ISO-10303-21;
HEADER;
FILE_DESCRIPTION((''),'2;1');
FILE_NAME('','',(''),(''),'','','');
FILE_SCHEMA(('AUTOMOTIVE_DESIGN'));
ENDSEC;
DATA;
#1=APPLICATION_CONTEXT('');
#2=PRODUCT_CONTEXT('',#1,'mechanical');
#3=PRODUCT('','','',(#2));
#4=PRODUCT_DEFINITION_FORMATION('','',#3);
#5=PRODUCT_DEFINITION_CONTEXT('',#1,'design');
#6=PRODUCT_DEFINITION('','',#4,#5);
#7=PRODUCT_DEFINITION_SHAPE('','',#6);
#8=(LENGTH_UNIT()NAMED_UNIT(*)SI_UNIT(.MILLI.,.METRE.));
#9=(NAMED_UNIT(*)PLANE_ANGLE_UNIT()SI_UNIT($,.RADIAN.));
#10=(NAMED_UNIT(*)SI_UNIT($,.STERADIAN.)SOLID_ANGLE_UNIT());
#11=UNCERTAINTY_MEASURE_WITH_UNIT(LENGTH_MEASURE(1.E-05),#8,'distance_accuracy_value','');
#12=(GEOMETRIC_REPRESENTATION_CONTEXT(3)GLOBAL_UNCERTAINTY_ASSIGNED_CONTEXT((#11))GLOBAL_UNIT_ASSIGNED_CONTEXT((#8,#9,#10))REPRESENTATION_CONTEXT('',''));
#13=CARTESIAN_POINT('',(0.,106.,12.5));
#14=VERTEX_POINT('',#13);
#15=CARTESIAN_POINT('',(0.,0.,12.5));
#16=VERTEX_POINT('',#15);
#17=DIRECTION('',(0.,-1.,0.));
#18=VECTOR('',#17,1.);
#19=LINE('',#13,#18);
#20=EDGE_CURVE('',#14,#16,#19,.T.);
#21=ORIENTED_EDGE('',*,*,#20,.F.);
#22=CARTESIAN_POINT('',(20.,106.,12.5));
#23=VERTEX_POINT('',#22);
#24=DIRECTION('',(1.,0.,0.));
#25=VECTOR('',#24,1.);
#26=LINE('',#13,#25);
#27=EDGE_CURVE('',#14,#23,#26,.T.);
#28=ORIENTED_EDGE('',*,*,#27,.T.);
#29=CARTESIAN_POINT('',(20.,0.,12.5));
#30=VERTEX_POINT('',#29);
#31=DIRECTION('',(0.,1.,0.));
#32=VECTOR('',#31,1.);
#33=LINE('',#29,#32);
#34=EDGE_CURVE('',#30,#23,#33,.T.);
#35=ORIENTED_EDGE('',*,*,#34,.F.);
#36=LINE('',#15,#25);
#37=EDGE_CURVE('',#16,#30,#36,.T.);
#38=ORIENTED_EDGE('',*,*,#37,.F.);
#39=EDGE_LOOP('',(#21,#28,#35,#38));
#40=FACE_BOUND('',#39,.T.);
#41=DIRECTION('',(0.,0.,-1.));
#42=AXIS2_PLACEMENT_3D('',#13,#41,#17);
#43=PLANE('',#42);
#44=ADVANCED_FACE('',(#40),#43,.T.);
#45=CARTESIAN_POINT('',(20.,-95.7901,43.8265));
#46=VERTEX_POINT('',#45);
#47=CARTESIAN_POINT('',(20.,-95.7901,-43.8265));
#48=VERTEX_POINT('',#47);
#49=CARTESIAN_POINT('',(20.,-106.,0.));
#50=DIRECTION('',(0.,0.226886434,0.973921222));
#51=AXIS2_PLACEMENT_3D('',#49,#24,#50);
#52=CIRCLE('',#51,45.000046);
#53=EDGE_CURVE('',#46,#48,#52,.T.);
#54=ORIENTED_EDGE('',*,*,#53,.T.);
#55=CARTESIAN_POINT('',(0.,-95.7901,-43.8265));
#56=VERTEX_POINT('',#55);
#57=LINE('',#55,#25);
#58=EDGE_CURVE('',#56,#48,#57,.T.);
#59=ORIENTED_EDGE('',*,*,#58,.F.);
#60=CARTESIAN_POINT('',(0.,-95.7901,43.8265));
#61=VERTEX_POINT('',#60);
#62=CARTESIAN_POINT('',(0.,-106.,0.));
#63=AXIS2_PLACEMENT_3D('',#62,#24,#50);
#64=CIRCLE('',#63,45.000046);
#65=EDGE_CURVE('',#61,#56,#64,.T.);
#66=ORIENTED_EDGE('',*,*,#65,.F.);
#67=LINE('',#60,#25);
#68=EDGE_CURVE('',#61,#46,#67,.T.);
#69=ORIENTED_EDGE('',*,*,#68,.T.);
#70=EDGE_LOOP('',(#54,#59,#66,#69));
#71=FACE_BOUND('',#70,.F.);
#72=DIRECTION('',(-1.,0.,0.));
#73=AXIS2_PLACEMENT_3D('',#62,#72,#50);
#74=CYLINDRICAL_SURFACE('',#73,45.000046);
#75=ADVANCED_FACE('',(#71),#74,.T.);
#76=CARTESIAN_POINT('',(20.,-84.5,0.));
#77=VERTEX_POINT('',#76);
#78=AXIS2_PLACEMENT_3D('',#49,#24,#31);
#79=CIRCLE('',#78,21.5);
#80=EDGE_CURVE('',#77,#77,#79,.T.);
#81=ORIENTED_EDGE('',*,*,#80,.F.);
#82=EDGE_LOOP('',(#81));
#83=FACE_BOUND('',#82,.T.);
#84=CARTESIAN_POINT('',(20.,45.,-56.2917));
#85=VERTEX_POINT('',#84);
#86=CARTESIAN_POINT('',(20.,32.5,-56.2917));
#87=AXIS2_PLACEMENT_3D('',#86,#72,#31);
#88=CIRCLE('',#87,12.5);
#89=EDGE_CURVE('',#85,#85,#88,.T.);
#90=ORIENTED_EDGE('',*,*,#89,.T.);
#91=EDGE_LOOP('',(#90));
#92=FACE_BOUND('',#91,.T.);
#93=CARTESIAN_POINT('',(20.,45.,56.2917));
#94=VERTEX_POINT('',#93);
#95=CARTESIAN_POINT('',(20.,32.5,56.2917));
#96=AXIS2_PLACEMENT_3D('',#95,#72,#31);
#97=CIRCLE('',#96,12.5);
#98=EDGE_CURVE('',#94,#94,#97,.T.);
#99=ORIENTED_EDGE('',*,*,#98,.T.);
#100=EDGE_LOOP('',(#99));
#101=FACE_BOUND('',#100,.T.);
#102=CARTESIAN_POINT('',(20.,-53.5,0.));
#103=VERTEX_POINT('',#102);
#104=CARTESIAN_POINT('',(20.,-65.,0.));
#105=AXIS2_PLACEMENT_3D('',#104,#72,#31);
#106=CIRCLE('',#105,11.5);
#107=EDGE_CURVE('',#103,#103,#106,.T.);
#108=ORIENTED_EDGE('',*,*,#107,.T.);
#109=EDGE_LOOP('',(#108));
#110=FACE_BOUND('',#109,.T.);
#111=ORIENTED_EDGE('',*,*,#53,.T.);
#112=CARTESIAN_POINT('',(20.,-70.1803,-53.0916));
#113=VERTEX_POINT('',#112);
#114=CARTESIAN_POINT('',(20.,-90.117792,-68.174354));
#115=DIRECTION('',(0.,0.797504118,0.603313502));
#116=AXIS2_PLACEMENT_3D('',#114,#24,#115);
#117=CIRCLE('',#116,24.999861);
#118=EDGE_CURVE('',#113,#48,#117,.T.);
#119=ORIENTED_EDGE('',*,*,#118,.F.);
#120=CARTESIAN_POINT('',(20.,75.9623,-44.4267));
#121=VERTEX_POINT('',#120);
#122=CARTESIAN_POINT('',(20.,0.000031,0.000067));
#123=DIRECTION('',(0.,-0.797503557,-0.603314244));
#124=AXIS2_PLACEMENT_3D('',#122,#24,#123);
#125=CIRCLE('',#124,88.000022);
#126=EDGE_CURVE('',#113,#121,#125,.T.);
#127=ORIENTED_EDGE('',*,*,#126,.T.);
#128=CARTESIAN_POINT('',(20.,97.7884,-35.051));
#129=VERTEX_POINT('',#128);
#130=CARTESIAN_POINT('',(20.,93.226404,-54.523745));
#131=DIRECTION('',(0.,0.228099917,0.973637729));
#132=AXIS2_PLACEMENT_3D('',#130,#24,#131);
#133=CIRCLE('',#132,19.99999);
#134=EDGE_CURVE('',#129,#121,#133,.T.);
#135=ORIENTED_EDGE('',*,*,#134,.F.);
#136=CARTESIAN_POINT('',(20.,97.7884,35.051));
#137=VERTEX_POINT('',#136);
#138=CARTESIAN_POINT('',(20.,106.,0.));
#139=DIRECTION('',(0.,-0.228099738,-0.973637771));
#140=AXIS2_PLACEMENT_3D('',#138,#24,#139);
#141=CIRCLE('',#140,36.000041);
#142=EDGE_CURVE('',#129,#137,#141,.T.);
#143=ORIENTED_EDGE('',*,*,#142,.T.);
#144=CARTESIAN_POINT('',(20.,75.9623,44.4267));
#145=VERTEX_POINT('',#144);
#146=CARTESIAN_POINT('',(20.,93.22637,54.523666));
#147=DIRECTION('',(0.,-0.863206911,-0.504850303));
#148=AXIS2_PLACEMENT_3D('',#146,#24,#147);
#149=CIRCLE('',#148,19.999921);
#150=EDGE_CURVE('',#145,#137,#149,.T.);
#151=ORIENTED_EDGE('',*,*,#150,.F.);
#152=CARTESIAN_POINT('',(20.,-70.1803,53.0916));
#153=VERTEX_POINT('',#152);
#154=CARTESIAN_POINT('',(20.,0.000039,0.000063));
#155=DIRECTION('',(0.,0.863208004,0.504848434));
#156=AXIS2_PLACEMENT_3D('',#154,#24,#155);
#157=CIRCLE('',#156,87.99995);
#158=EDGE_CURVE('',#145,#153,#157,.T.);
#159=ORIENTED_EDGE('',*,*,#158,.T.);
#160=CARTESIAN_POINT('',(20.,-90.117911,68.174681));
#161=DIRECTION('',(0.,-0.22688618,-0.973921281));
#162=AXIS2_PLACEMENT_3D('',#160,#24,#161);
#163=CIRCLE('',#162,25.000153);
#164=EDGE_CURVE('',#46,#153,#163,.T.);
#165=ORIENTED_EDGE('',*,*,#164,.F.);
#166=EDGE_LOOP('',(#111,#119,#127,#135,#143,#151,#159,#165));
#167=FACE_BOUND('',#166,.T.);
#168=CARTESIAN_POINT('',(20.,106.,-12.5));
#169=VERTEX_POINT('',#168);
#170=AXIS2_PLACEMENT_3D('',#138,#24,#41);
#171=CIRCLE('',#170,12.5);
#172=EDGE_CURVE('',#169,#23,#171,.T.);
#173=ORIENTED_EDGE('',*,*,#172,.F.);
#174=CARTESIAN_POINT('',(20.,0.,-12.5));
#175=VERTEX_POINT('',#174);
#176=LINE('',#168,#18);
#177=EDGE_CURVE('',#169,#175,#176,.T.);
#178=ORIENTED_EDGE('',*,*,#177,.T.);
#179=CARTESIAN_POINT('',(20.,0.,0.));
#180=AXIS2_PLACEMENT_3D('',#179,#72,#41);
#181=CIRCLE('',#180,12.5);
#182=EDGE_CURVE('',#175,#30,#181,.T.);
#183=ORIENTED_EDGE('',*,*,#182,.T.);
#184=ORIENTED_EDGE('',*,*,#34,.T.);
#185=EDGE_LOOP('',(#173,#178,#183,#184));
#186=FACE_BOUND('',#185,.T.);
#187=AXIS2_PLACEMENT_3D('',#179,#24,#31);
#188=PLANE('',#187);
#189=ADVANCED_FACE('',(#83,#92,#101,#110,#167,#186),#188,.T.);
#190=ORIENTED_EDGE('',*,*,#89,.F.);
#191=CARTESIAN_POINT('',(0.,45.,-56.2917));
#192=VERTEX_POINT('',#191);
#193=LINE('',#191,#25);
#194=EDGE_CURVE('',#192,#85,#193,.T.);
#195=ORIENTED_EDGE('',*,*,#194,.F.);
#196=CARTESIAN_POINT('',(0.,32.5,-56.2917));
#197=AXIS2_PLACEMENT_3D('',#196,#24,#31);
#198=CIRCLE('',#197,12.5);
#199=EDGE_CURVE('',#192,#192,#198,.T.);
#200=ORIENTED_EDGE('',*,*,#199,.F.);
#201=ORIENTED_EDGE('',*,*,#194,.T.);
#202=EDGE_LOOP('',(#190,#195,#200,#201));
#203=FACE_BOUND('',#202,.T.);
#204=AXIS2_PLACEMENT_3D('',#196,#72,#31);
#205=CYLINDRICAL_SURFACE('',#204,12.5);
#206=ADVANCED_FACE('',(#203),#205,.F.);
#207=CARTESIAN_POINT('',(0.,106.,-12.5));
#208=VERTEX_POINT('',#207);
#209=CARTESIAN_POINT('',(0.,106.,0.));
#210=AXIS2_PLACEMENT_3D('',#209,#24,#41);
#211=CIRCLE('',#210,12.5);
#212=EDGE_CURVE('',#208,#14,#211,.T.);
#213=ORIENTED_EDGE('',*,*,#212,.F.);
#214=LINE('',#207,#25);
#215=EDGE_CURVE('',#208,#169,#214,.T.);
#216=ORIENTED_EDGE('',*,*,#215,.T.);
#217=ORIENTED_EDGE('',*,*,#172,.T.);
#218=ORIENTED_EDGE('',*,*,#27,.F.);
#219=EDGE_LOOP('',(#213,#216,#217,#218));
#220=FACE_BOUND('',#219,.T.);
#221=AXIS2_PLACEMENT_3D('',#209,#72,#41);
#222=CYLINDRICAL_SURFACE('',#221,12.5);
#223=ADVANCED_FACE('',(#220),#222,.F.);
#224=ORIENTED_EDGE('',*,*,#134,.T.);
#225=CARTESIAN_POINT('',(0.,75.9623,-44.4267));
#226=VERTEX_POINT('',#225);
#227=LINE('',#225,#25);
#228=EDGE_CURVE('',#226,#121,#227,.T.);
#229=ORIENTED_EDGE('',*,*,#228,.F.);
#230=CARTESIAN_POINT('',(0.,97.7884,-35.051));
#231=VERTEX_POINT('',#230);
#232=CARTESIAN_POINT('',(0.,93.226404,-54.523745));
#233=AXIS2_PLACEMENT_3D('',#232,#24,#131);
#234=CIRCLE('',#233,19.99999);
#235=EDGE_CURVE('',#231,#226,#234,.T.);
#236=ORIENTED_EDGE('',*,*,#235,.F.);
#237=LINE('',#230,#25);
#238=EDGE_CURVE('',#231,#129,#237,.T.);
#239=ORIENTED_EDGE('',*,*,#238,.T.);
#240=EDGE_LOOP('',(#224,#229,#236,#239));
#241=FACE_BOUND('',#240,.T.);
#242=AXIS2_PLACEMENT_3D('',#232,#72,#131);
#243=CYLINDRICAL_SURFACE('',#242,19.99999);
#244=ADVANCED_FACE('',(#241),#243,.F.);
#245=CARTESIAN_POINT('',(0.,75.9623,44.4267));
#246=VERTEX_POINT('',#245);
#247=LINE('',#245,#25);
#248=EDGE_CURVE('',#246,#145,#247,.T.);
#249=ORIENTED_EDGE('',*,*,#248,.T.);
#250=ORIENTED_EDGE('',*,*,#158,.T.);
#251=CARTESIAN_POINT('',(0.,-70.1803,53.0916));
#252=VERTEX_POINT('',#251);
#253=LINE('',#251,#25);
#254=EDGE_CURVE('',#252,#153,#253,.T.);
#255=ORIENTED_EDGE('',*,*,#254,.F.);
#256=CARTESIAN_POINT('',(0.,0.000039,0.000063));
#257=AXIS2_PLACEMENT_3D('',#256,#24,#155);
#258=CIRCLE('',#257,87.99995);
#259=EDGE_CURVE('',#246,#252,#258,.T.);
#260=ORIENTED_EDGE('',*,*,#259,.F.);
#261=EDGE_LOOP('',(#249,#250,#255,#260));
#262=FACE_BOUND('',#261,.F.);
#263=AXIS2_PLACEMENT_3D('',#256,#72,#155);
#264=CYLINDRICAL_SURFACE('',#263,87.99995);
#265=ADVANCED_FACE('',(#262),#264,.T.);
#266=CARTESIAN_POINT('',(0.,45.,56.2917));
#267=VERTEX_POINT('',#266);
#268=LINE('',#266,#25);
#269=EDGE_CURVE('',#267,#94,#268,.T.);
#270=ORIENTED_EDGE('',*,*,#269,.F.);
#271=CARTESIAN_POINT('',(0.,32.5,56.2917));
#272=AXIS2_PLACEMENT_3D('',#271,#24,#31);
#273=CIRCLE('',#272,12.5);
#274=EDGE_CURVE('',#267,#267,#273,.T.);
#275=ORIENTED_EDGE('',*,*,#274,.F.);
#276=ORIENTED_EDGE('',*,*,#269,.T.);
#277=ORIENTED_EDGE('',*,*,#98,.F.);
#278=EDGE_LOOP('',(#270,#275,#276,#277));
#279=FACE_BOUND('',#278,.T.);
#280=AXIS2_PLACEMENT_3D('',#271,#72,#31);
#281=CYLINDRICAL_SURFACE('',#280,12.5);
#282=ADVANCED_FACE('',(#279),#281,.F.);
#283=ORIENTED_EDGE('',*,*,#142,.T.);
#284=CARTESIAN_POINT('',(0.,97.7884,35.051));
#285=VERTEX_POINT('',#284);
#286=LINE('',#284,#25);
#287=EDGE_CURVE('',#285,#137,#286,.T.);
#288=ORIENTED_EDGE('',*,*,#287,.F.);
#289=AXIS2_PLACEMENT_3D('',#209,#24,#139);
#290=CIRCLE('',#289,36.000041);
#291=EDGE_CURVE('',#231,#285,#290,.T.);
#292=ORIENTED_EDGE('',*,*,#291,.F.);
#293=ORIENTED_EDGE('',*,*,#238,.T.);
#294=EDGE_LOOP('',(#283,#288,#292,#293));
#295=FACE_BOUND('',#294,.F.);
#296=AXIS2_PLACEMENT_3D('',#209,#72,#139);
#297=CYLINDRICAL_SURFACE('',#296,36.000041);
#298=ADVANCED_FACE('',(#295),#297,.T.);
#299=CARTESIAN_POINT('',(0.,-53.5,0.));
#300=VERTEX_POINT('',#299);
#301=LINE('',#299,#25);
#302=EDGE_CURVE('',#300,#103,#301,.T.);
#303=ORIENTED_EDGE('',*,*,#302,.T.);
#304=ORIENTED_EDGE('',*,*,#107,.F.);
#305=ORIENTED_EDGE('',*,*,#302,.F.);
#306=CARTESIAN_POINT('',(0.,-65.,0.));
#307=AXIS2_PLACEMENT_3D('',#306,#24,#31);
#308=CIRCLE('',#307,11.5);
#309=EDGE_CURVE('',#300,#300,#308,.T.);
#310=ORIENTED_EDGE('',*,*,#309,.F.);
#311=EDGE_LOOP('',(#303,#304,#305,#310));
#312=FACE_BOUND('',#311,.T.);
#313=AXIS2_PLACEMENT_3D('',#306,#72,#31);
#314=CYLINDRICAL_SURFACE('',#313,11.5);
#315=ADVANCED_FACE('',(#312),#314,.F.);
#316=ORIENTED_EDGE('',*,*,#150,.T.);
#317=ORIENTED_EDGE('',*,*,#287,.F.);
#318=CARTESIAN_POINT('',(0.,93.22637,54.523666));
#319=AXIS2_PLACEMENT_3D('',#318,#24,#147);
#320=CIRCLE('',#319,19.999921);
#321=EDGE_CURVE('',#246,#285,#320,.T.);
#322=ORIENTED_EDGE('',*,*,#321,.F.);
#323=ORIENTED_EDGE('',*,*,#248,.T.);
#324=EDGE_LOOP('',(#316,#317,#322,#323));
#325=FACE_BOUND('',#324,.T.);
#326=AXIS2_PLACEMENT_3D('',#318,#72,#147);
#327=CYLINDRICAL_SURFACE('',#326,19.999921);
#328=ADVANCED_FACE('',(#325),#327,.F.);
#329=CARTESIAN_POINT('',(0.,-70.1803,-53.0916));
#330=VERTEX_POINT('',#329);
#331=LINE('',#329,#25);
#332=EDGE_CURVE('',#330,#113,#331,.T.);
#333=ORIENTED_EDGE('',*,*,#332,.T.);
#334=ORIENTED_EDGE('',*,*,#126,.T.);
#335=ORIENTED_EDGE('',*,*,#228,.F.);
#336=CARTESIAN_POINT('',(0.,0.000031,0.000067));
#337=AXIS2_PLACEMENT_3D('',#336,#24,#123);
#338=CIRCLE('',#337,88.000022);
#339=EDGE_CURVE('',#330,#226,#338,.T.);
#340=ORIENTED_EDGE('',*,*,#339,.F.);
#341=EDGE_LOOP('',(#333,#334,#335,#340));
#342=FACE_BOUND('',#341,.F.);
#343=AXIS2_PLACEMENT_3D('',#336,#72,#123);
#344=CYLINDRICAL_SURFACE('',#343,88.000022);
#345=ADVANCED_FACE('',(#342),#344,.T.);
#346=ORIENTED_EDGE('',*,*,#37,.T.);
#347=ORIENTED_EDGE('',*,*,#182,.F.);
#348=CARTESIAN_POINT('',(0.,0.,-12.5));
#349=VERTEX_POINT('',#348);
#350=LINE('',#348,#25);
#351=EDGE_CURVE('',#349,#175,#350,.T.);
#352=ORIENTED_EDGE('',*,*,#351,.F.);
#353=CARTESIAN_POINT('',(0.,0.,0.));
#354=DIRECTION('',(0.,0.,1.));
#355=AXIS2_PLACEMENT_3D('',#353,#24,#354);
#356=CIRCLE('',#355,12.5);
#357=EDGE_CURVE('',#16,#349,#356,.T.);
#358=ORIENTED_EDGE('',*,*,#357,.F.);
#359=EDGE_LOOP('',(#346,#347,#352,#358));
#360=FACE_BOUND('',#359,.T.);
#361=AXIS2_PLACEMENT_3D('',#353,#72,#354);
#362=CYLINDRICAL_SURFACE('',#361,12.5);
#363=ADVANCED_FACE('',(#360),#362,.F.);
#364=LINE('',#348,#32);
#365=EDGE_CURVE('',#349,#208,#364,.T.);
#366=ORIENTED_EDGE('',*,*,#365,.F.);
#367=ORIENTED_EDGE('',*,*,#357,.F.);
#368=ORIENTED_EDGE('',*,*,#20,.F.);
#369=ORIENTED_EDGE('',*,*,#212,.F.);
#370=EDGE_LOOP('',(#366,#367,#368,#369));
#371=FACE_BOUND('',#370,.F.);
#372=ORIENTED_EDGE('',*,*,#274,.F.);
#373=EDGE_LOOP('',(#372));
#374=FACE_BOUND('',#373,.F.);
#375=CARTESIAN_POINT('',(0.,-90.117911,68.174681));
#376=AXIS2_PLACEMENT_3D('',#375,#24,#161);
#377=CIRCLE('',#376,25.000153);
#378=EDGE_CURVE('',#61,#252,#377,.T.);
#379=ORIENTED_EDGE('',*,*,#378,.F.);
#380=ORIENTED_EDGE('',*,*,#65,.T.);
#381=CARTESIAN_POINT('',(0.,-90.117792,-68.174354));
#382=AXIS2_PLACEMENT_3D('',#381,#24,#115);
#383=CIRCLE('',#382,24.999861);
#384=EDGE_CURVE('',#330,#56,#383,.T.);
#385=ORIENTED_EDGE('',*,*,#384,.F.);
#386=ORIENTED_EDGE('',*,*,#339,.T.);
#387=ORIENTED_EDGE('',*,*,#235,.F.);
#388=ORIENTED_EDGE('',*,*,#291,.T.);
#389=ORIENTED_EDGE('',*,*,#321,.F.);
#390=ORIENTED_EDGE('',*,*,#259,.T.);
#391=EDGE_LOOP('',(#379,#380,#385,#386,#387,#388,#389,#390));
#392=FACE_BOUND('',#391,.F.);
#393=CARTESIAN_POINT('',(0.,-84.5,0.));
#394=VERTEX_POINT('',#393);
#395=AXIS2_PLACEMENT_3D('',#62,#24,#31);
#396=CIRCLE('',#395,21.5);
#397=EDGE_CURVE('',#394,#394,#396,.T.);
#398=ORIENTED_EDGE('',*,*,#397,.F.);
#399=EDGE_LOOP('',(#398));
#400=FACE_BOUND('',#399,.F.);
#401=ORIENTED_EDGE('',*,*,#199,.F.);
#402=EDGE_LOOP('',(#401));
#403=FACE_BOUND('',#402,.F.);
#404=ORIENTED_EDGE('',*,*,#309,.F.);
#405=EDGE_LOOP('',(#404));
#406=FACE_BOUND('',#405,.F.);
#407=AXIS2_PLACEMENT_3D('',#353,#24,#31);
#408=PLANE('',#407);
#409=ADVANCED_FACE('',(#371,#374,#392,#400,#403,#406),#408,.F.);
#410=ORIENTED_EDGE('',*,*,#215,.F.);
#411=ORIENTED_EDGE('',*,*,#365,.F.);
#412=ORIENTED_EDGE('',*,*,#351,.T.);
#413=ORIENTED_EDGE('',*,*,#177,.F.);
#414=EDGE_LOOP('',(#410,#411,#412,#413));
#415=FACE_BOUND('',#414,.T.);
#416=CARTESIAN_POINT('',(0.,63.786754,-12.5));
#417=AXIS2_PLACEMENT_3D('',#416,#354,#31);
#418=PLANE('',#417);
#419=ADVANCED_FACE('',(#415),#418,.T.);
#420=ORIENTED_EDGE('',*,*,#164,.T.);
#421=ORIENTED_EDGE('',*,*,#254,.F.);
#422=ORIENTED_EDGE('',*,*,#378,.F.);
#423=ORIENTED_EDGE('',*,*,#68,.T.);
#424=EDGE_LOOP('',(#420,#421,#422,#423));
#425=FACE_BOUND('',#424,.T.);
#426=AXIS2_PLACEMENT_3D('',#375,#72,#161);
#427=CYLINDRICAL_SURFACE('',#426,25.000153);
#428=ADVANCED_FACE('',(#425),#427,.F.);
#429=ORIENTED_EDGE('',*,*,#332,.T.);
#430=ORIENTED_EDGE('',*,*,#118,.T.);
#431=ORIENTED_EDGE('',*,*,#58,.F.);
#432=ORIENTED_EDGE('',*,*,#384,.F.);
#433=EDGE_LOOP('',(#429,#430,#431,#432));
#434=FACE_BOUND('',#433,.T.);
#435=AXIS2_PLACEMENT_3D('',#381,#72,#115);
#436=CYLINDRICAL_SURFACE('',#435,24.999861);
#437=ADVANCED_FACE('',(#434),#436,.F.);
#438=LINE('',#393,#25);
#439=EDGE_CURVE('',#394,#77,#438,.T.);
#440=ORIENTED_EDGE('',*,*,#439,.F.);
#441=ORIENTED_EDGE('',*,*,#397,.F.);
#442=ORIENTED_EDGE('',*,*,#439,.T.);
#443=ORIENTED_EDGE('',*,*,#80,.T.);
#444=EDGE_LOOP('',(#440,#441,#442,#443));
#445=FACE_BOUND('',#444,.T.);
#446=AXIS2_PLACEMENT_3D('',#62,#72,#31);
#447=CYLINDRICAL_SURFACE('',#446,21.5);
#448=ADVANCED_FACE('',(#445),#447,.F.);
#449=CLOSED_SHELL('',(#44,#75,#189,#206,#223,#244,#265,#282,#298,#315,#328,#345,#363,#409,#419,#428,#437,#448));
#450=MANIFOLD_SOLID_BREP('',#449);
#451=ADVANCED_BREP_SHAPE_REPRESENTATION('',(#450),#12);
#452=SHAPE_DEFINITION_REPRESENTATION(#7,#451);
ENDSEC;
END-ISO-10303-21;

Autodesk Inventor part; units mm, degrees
ref_plane "YZ Plane" through (0, 0, 0) normal (1, 0, 0) x (0, 1, 0)
ref_plane "XZ Plane" through (0, 0, 0) normal (0, 1, 0) x (-1, 0, 0)
ref_plane "XY Plane" through (0, 0, 0) normal (0, 0, 1) x (1, 0, 0)
sketch "Sketch1" plane through (0, 0, 0) normal (1, 0, 0) x (0, 1, 0)
  arc A0 (97.7884, -35.051) -> (97.7884, 35.051) centre (106, 0) ccw
  arc A1 (75.9623, 44.4267) -> (97.7884, 35.051) centre (93.2264, 54.5237) ccw
  arc A2 (97.7884, -35.051) -> (75.9623, -44.4267) centre (93.2264, -54.5237) ccw
  arc A3 (-95.7901, 43.8265) -> (-95.7901, -43.8265) centre (-106, 0) ccw
  arc A4 (-95.7901, 43.8265) -> (-70.1803, 53.0916) centre (-90.1179, 68.1745) ccw
  arc A5 (-70.1803, -53.0916) -> (-95.7901, -43.8265) centre (-90.1179, -68.1745) ccw
  arc A6 (75.9623, 44.4267) -> (-70.1803, 53.0916) centre (0, 0) ccw
  arc A7 (-70.1803, -53.0916) -> (75.9623, -44.4267) centre (0, 0) ccw
  circle A8 centre (0, 0) radius 65
  circle A9 centre (-65, 0) radius 11.5
  circle A10 centre (-106, 0) radius 21.5
  arc A11 (0, 12.5) -> (0, -12.5) centre (0, 0) ccw
  arc A12 (106, -12.5) -> (106, 12.5) centre (106, 0) ccw
  line L0 (106, 12.5) -> (0, 12.5)
  line L1 (0, -12.5) -> (106, -12.5)
  line L2 (-12.5, 0) -> (-53.5, 0)
  circle A13 centre (32.5, 56.2917) radius 12.5
  circle A14 centre (32.5, -56.2917) radius 12.5
  dimension "d27" = 23
  dimension "d19" = 12.5
  dimension "d20" = 36
  dimension "d21" = 106
  dimension "d22" = 212
  dimension "d23" = 25
  dimension "d24" = 25
  dimension "d25" = 43
  dimension "d26" = 45
  dimension "d28" = 88
  dimension "d29" = 25
  dimension "d30" = 25
  dimension "d31" = 20
  dimension "d32" = 20
extrude "Extrusion1" add sketch "Sketch1" along normal blind 20 contours A2 A7 A5 A3 A4 A6 A1 A0 | L0 A11 L2 A9 A8 A13 | A8 A14 A9 L2 A11 L1
properties part number "hw11"
